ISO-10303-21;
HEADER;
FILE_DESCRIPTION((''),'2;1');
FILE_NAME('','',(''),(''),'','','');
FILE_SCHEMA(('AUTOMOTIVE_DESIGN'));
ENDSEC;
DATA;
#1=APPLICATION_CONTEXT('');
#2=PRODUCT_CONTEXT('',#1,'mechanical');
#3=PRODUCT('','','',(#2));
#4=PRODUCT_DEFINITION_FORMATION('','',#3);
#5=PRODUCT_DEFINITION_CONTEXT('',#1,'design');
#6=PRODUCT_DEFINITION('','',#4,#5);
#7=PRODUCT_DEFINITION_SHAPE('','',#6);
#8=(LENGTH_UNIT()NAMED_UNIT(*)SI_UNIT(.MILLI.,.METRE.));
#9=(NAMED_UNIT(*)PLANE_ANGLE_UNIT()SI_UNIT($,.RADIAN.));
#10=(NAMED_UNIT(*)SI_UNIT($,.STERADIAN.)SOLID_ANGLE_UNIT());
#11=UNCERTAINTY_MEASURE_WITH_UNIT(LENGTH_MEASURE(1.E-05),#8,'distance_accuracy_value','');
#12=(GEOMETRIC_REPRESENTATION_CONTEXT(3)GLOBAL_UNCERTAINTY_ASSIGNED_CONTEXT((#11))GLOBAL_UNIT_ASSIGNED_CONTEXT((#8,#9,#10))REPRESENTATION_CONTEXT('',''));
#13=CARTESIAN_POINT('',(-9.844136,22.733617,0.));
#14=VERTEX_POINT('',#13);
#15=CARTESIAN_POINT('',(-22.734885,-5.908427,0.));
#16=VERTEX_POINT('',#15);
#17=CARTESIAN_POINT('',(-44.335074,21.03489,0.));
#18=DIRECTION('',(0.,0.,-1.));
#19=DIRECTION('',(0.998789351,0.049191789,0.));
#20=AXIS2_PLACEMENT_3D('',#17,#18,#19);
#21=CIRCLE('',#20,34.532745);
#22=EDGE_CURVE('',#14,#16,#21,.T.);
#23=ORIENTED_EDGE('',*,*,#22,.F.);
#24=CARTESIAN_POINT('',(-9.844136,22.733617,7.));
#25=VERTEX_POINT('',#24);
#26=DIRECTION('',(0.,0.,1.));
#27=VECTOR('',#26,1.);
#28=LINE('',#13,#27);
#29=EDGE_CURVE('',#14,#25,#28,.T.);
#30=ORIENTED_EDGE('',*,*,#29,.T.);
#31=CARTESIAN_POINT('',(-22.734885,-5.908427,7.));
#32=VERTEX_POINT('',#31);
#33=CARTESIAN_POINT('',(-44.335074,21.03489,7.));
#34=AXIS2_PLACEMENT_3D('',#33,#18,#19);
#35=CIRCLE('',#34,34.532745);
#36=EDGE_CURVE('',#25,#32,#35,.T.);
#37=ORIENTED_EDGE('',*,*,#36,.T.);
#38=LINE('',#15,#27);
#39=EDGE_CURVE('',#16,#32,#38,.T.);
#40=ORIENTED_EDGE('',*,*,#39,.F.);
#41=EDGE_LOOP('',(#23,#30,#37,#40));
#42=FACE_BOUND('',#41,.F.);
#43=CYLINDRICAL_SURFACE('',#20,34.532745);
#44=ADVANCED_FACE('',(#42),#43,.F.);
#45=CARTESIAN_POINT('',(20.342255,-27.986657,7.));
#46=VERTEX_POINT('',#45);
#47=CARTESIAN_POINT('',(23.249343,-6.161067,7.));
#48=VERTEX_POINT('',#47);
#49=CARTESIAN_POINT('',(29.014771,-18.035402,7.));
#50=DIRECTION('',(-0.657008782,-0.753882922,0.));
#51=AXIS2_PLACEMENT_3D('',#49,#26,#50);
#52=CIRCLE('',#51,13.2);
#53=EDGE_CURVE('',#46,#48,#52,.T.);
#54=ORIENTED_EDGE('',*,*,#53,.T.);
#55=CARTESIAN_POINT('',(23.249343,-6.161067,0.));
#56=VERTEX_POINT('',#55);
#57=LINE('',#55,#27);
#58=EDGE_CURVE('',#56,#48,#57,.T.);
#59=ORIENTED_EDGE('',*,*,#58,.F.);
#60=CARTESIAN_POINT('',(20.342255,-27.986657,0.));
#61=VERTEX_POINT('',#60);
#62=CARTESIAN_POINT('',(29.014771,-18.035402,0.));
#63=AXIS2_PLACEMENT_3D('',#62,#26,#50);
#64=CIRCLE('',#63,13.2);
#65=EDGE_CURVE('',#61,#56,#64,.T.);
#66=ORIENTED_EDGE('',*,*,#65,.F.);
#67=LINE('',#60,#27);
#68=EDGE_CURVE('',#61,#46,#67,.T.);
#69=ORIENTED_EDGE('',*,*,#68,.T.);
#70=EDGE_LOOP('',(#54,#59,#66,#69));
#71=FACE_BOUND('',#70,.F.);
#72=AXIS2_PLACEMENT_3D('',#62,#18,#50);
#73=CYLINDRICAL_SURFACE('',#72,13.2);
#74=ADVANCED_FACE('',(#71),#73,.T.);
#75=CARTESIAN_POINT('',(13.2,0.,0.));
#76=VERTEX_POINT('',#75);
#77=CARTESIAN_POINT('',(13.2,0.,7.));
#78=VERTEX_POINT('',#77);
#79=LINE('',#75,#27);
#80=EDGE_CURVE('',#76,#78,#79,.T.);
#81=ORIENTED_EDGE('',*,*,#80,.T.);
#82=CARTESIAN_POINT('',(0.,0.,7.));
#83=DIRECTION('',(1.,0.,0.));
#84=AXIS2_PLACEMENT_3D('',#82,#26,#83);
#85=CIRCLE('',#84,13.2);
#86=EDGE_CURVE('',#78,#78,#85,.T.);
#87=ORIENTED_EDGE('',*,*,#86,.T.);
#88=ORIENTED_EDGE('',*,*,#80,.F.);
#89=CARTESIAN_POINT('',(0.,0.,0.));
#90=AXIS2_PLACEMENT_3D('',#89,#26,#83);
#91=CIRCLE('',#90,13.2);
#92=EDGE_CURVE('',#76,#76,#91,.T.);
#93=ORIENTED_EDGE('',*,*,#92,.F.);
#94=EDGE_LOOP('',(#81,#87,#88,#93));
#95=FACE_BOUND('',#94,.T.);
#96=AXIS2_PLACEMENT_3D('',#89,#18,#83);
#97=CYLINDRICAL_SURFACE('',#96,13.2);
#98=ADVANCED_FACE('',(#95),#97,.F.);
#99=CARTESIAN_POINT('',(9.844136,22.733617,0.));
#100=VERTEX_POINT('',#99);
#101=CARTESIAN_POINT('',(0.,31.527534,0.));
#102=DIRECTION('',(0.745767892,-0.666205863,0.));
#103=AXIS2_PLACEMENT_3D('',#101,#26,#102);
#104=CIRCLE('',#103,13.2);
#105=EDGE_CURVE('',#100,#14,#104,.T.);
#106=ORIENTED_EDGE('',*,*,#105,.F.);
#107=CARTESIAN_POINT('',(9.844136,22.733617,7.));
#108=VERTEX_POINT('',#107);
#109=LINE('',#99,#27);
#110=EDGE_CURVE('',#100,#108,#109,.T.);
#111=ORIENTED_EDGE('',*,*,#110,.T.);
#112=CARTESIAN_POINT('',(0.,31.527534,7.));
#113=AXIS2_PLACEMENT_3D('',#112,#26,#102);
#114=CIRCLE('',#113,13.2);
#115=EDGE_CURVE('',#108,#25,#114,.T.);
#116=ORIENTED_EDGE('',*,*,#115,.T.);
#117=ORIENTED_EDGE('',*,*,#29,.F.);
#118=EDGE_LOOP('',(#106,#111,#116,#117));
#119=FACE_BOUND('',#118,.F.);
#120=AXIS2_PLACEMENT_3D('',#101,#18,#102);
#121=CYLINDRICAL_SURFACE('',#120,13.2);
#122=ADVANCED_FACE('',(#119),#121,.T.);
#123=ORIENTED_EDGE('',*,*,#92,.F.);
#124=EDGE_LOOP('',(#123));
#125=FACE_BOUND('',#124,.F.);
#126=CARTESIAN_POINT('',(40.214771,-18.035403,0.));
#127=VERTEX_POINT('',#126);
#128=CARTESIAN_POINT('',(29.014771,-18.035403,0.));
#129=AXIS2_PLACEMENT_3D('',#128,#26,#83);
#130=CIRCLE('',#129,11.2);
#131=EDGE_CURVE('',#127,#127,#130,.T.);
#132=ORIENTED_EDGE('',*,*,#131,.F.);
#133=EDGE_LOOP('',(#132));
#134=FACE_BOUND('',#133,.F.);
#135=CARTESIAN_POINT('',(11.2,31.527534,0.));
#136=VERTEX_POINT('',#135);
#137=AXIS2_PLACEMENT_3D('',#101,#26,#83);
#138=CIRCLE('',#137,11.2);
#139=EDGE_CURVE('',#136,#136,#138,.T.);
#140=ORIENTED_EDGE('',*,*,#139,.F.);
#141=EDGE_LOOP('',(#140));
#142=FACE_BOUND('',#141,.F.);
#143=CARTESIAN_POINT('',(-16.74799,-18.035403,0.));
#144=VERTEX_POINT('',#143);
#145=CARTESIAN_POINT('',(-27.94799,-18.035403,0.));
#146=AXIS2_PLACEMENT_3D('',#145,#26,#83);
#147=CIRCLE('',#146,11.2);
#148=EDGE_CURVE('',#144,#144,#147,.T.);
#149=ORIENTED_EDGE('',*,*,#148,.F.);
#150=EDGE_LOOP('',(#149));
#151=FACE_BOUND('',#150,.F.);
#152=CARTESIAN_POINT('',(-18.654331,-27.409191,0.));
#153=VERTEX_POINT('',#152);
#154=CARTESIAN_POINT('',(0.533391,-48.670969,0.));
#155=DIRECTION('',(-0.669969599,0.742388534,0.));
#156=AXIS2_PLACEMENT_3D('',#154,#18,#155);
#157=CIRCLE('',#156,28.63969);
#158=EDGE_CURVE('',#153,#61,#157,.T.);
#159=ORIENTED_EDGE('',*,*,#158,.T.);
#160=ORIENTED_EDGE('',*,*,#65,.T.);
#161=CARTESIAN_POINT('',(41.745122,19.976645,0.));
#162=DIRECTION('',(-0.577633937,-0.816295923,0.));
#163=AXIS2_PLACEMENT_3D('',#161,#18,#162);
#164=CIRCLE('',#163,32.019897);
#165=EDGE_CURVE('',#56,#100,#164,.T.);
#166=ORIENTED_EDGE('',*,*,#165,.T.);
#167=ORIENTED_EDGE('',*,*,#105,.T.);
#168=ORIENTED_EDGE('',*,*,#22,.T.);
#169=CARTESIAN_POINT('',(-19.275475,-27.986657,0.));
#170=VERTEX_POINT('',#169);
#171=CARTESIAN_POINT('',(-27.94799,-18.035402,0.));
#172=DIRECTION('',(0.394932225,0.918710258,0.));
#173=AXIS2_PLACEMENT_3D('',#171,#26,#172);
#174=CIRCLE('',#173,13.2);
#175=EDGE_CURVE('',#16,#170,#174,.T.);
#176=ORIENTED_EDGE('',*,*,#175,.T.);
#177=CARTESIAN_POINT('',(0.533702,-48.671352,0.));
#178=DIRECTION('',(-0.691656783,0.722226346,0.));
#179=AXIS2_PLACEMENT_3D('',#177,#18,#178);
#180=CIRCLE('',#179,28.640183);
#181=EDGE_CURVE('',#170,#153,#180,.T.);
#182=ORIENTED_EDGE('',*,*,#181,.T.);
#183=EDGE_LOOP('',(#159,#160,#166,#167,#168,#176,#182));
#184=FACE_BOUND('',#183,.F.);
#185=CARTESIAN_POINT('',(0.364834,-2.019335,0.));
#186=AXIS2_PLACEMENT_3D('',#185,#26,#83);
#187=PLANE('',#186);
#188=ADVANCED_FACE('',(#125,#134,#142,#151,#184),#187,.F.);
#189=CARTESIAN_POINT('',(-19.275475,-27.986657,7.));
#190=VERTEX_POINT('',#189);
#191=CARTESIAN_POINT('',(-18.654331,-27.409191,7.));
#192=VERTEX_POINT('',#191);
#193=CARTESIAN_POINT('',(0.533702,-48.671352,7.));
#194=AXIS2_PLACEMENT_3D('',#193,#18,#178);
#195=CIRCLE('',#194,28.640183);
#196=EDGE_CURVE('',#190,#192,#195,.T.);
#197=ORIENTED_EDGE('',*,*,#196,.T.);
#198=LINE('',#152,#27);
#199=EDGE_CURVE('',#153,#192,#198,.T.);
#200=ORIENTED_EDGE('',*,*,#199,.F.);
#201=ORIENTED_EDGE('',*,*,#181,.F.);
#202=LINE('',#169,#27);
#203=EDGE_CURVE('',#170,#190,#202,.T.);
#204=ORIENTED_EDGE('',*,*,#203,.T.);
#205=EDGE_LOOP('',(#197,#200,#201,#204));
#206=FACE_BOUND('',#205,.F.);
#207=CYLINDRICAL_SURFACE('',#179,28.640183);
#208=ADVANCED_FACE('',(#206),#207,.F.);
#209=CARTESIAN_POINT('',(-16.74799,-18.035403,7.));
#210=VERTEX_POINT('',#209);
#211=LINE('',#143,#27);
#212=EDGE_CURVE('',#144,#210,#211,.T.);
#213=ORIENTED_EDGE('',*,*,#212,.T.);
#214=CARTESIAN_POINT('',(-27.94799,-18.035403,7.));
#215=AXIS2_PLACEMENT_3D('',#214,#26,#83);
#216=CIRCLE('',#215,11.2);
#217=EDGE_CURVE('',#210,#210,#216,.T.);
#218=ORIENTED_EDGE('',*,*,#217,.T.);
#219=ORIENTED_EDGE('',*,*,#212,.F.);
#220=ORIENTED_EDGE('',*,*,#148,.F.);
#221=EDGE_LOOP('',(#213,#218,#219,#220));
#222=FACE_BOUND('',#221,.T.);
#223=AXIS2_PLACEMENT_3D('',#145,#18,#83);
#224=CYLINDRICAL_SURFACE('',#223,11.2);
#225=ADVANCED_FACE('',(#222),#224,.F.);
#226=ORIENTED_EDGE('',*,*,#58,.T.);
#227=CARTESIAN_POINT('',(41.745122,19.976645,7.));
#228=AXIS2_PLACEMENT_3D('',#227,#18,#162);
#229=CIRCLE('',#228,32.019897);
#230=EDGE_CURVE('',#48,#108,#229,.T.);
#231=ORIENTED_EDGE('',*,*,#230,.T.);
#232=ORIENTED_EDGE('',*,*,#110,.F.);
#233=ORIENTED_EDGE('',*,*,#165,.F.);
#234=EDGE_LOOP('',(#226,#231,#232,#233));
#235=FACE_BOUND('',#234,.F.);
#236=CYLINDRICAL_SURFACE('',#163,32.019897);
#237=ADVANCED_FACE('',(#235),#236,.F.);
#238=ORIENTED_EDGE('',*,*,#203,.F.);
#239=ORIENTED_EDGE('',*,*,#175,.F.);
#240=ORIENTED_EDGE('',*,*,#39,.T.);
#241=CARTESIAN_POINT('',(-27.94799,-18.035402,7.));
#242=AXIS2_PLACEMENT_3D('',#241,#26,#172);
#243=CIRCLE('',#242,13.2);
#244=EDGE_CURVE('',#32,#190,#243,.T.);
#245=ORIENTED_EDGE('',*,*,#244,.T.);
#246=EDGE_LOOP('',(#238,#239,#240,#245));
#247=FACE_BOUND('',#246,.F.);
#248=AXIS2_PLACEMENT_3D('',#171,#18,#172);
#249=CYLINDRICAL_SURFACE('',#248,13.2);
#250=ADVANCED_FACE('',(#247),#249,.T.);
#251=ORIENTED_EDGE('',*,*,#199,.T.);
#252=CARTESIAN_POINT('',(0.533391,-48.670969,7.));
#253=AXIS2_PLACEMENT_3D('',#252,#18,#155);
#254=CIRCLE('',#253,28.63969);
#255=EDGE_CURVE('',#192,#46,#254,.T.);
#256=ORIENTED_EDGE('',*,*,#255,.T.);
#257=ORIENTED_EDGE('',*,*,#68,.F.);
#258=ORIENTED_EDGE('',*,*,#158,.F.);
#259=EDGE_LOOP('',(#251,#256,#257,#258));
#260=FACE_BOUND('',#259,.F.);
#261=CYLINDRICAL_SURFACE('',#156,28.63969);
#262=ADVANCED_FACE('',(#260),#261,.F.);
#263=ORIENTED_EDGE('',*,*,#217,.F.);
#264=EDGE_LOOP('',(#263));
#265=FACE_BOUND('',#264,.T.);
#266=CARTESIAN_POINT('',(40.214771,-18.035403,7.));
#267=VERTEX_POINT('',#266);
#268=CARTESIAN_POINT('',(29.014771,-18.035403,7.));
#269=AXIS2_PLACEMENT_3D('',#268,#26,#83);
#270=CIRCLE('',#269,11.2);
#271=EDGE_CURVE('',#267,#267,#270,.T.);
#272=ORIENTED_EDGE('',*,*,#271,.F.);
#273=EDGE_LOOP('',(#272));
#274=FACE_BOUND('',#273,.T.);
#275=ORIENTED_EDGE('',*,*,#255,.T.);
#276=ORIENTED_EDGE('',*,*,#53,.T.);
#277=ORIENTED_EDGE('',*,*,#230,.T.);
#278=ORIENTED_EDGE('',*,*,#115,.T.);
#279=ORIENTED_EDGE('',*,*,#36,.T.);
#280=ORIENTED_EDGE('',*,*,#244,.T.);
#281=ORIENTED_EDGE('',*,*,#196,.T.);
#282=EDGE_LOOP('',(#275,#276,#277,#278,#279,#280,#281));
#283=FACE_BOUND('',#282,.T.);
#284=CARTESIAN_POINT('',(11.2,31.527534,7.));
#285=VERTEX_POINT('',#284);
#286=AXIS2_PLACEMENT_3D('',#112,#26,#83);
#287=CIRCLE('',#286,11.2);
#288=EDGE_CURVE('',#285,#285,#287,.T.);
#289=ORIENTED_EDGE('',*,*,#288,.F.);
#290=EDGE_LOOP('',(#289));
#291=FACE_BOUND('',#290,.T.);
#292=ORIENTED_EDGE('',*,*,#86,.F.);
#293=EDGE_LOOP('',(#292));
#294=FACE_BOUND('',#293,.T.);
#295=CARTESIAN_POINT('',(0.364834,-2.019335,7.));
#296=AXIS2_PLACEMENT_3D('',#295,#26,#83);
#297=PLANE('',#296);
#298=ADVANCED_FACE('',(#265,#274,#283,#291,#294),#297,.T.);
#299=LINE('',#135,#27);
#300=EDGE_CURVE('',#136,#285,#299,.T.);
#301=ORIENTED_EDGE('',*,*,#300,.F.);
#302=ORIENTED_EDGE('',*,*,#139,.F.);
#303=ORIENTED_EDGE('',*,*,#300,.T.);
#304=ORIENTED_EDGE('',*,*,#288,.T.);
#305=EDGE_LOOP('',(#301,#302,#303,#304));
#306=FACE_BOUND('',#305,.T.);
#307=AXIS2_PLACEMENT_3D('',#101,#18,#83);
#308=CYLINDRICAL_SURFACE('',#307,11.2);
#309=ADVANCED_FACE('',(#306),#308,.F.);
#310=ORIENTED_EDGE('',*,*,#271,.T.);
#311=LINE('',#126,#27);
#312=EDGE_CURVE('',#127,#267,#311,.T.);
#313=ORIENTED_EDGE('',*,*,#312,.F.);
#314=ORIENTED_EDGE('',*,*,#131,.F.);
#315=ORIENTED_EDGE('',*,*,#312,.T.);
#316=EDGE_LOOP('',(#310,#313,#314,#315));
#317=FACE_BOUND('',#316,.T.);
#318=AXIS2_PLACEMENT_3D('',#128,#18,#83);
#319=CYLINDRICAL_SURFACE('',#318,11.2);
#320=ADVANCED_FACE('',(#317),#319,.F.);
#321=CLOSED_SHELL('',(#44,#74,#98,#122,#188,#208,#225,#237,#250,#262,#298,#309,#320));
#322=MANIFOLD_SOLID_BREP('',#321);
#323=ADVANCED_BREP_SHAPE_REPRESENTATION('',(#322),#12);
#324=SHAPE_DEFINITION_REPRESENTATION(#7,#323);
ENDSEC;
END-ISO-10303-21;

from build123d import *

# Parameters (mm, degrees)
F0_R     = 11.2
F0_R_2   = 13.2
F1_DEPTH = 7


with BuildPart() as f1:
    # F0 (on Top) → F1 (new body)
    with BuildSketch(Plane.XY):
        with BuildLine():
            ThreePointArc((23.249343, -6.161067), (12.69888, 6.501125), (9.844136, 22.733617))
            ThreePointArc((9.844136, 22.733617), (0, 44.727534), (-9.844136, 22.733617))
            ThreePointArc((-9.844136, 22.733617), (-12.844674, 6.862198), (-22.734885, -5.908427))
            ThreePointArc((-22.734885, -5.908427), (-40.988875, -20.078762), (-19.275475, -27.986657))
            ThreePointArc((-19.275475, -27.986657), (-18.967041, -27.695625), (-18.654331, -27.409191))
            ThreePointArc((-18.654331, -27.409191), (0.957444, -20.034418), (20.342255, -27.986657))
            ThreePointArc((20.342255, -27.986657), (42.099214, -19.778202), (23.249343, -6.161067))
        make_face()
        with Locations((-27.94799, -18.035403)):
            Circle(F0_R, mode=Mode.SUBTRACT)
        Circle(F0_R_2, mode=Mode.SUBTRACT)
        with Locations((29.014771, -18.035403)):
            Circle(F0_R, mode=Mode.SUBTRACT)
        with Locations((0, 31.527534)):
            Circle(F0_R, mode=Mode.SUBTRACT)
    extrude(amount=F1_DEPTH)


solid = f1.part
